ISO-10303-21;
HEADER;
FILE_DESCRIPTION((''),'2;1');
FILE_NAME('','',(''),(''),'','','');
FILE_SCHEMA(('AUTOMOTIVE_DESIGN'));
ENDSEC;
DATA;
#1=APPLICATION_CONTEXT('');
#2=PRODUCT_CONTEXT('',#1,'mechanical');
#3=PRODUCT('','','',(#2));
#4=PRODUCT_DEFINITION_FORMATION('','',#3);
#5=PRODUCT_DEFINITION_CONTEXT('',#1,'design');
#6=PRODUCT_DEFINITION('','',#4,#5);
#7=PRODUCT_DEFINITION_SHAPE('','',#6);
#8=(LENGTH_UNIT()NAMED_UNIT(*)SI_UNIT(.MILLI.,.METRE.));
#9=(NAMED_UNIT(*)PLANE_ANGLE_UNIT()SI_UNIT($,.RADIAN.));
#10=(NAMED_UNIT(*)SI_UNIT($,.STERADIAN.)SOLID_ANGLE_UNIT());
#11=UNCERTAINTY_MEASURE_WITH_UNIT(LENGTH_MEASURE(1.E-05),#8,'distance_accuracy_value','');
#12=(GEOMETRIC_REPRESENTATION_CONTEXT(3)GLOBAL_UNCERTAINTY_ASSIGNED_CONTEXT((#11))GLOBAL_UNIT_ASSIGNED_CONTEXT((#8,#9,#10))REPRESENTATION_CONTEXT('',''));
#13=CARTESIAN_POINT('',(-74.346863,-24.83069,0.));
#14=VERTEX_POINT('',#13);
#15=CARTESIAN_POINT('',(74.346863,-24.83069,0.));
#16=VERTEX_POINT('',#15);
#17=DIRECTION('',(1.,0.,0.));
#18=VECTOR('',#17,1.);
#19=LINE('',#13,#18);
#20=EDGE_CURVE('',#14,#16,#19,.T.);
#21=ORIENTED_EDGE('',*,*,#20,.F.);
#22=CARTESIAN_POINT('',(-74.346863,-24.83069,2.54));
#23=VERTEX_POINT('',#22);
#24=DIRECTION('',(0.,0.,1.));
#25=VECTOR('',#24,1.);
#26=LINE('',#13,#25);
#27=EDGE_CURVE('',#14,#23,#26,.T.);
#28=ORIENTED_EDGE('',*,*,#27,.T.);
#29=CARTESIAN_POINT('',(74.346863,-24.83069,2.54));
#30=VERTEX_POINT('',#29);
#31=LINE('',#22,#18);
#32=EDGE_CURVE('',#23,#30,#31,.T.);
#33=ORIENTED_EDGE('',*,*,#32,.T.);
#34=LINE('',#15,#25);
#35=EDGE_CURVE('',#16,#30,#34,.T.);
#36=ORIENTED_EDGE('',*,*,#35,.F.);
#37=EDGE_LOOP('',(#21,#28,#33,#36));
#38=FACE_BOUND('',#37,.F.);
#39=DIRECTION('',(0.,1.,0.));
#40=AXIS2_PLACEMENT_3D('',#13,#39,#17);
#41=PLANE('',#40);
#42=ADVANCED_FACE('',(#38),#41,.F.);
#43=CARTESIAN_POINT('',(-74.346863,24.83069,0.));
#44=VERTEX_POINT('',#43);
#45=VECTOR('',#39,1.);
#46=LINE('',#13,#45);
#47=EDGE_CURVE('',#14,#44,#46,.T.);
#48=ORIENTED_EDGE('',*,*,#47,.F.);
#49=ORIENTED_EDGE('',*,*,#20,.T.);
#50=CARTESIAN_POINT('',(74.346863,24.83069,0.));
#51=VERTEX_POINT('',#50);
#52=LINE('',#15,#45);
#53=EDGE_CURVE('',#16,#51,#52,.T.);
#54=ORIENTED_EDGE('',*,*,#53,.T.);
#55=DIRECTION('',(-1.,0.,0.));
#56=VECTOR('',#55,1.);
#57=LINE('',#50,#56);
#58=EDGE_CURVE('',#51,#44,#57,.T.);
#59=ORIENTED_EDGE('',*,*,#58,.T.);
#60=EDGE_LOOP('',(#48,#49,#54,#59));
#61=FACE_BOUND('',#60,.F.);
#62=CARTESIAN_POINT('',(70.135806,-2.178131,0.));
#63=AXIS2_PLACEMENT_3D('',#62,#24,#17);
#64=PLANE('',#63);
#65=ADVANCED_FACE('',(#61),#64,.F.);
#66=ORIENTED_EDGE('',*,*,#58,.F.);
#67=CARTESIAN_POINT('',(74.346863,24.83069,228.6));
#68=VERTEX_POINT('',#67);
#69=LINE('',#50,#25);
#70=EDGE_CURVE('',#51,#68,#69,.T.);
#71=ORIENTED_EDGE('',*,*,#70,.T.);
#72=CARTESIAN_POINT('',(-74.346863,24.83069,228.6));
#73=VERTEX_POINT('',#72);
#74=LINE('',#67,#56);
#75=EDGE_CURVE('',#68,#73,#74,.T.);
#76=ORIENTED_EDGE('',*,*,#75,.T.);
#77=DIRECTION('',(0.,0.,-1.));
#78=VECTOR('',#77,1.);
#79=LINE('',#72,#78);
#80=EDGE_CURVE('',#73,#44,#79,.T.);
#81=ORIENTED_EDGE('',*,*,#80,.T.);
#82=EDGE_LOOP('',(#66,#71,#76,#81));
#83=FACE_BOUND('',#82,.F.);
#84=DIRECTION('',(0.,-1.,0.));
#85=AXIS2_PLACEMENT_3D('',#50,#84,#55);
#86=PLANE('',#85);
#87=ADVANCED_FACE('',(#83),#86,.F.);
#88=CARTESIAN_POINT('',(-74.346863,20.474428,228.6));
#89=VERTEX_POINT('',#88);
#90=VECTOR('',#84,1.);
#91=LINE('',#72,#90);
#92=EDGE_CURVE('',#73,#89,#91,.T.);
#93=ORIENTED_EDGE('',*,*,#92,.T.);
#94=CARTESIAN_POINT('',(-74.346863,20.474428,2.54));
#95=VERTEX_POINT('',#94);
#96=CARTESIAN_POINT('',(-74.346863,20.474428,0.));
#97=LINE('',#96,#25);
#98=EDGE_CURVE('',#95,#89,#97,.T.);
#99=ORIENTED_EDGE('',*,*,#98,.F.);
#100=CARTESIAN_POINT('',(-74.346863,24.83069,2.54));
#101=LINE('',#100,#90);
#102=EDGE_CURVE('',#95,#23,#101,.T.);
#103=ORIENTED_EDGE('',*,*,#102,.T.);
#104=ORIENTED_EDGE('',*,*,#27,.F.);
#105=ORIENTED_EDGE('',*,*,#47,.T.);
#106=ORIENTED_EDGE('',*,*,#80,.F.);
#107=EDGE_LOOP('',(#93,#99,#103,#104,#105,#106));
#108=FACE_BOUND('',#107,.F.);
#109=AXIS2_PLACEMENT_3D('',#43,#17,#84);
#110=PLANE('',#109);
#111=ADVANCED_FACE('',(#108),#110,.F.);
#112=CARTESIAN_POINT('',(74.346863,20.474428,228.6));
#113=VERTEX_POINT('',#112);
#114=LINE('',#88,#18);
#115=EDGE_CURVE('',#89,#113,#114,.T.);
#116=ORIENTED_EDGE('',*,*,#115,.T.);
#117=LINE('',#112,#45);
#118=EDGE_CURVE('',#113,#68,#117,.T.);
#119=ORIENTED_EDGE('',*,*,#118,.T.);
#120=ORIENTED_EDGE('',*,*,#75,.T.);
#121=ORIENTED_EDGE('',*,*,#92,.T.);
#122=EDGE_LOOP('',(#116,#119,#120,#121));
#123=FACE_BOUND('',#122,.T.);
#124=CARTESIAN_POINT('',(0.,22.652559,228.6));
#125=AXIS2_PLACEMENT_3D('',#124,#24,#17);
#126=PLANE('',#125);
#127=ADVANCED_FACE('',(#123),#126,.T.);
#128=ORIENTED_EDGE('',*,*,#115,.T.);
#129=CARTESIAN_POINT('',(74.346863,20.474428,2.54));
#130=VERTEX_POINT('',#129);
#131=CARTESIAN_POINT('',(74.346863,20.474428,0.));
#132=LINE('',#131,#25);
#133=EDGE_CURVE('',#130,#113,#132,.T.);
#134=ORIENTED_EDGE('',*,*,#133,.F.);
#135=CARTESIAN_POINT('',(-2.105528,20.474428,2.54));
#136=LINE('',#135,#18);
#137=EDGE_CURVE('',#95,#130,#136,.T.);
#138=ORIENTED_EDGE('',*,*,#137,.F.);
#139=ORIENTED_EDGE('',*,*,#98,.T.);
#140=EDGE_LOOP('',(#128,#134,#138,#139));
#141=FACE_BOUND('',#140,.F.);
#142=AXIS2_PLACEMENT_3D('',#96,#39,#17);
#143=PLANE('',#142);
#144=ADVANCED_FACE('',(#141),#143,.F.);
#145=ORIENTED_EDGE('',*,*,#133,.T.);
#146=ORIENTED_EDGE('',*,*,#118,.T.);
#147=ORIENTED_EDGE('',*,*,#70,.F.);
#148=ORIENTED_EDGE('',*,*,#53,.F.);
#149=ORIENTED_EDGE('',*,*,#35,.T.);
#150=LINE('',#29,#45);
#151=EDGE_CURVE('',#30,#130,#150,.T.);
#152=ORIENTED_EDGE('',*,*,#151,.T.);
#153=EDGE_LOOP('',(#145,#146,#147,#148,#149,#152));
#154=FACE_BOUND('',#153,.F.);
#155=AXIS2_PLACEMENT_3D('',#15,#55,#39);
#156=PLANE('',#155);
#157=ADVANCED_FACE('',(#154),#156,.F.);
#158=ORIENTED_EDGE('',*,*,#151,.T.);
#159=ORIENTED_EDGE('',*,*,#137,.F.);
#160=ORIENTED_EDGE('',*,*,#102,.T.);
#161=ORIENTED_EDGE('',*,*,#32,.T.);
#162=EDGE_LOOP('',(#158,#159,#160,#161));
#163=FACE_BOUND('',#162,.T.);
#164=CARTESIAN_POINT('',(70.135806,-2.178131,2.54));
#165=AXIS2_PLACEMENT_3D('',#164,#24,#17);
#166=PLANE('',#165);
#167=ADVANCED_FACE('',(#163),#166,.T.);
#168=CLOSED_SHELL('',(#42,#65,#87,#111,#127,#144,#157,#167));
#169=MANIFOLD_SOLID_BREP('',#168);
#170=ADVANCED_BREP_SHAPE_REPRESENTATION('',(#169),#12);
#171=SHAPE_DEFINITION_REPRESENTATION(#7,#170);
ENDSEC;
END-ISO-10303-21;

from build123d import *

# Parameters (mm, degrees)
F1_DEPTH = 228.6
F0_W     = 14.8112885654
F0_H     = 40.948856622
F0_W_2   = 2.9041729867
F0_W_3   = 24.6854852885
F0_W_4   = 4.3562594801
F0_W_5   = 24.3950609583
F0_W_6   = 6.6796054598
F0_W_7   = 55.7601368055
F2_DEPTH = 2.54


with BuildPart() as f1:
    # F0 (on Top) → F1 (new body)
    with BuildSketch(Plane.XY):
        Polygon((65.9247487783, 20.474428311), (74.3468627334, 20.474428311), (74.3468627334, 24.8306896538), (-74.3468627334, 24.8306896538), (-74.3468627334, 20.474428311), (-67.667260766, 20.474428311), (-52.8559722006, 20.474428311), (-49.9517992139, 20.474428311), (-25.2663139254, 20.474428311), (-20.9100544453, 20.474428311), (3.4850065131, 20.474428311), (10.1646119729, 20.474428311), align=None)
    extrude(amount=F1_DEPTH)

    # F0 (on Top) → F2 (join)
    with BuildSketch(Plane.XY):
        Polygon((65.9247487783, -24.8306896538), (74.3468627334, -24.8306896538), (74.3468627334, 20.474428311), (65.9247487783, 20.474428311), (65.9247487783, -20.474428311), align=None)
        Polygon((-67.667260766, -24.8306896538), (65.9247487783, -24.8306896538), (65.9247487783, -20.474428311), (10.1646119729, -20.474428311), (3.4850065131, -20.474428311), (-20.9100544453, -20.474428311), (-25.2663139254, -20.474428311), (-49.9517992139, -20.474428311), (-52.8559722006, -20.474428311), (-67.667260766, -20.474428311), align=None)
        Polygon((65.9247487783, 20.474428311), (74.3468627334, 20.474428311), (74.3468627334, 24.8306896538), (-74.3468627334, 24.8306896538), (-74.3468627334, 20.474428311), (-67.667260766, 20.474428311), (-52.8559722006, 20.474428311), (-49.9517992139, 20.474428311), (-25.2663139254, 20.474428311), (-20.9100544453, 20.474428311), (3.4850065131, 20.474428311), (10.1646119729, 20.474428311), align=None)
        Polygon((-74.3468627334, -24.8306896538), (-67.667260766, -24.8306896538), (-67.667260766, -20.474428311), (-67.667260766, 20.474428311), (-74.3468627334, 20.474428311), align=None)
        with Locations((-60.2616164833, 0)):
            Rectangle(F0_W, F0_H)
        with Locations((-51.4038857073, 0)):
            Rectangle(F0_W_2, F0_H)
        with Locations((-37.6090565696, 0)):
            Rectangle(F0_W_3, F0_H)
        with Locations((-23.0881841853, 0)):
            Rectangle(F0_W_4, F0_H)
        with Locations((-8.7125239661, 0)):
            Rectangle(F0_W_5, F0_H)
        with Locations((6.824809243, 0)):
            Rectangle(F0_W_6, F0_H)
        with Locations((38.0446803756, 0)):
            Rectangle(F0_W_7, F0_H)
    extrude(amount=F2_DEPTH)


solid = f1.part
